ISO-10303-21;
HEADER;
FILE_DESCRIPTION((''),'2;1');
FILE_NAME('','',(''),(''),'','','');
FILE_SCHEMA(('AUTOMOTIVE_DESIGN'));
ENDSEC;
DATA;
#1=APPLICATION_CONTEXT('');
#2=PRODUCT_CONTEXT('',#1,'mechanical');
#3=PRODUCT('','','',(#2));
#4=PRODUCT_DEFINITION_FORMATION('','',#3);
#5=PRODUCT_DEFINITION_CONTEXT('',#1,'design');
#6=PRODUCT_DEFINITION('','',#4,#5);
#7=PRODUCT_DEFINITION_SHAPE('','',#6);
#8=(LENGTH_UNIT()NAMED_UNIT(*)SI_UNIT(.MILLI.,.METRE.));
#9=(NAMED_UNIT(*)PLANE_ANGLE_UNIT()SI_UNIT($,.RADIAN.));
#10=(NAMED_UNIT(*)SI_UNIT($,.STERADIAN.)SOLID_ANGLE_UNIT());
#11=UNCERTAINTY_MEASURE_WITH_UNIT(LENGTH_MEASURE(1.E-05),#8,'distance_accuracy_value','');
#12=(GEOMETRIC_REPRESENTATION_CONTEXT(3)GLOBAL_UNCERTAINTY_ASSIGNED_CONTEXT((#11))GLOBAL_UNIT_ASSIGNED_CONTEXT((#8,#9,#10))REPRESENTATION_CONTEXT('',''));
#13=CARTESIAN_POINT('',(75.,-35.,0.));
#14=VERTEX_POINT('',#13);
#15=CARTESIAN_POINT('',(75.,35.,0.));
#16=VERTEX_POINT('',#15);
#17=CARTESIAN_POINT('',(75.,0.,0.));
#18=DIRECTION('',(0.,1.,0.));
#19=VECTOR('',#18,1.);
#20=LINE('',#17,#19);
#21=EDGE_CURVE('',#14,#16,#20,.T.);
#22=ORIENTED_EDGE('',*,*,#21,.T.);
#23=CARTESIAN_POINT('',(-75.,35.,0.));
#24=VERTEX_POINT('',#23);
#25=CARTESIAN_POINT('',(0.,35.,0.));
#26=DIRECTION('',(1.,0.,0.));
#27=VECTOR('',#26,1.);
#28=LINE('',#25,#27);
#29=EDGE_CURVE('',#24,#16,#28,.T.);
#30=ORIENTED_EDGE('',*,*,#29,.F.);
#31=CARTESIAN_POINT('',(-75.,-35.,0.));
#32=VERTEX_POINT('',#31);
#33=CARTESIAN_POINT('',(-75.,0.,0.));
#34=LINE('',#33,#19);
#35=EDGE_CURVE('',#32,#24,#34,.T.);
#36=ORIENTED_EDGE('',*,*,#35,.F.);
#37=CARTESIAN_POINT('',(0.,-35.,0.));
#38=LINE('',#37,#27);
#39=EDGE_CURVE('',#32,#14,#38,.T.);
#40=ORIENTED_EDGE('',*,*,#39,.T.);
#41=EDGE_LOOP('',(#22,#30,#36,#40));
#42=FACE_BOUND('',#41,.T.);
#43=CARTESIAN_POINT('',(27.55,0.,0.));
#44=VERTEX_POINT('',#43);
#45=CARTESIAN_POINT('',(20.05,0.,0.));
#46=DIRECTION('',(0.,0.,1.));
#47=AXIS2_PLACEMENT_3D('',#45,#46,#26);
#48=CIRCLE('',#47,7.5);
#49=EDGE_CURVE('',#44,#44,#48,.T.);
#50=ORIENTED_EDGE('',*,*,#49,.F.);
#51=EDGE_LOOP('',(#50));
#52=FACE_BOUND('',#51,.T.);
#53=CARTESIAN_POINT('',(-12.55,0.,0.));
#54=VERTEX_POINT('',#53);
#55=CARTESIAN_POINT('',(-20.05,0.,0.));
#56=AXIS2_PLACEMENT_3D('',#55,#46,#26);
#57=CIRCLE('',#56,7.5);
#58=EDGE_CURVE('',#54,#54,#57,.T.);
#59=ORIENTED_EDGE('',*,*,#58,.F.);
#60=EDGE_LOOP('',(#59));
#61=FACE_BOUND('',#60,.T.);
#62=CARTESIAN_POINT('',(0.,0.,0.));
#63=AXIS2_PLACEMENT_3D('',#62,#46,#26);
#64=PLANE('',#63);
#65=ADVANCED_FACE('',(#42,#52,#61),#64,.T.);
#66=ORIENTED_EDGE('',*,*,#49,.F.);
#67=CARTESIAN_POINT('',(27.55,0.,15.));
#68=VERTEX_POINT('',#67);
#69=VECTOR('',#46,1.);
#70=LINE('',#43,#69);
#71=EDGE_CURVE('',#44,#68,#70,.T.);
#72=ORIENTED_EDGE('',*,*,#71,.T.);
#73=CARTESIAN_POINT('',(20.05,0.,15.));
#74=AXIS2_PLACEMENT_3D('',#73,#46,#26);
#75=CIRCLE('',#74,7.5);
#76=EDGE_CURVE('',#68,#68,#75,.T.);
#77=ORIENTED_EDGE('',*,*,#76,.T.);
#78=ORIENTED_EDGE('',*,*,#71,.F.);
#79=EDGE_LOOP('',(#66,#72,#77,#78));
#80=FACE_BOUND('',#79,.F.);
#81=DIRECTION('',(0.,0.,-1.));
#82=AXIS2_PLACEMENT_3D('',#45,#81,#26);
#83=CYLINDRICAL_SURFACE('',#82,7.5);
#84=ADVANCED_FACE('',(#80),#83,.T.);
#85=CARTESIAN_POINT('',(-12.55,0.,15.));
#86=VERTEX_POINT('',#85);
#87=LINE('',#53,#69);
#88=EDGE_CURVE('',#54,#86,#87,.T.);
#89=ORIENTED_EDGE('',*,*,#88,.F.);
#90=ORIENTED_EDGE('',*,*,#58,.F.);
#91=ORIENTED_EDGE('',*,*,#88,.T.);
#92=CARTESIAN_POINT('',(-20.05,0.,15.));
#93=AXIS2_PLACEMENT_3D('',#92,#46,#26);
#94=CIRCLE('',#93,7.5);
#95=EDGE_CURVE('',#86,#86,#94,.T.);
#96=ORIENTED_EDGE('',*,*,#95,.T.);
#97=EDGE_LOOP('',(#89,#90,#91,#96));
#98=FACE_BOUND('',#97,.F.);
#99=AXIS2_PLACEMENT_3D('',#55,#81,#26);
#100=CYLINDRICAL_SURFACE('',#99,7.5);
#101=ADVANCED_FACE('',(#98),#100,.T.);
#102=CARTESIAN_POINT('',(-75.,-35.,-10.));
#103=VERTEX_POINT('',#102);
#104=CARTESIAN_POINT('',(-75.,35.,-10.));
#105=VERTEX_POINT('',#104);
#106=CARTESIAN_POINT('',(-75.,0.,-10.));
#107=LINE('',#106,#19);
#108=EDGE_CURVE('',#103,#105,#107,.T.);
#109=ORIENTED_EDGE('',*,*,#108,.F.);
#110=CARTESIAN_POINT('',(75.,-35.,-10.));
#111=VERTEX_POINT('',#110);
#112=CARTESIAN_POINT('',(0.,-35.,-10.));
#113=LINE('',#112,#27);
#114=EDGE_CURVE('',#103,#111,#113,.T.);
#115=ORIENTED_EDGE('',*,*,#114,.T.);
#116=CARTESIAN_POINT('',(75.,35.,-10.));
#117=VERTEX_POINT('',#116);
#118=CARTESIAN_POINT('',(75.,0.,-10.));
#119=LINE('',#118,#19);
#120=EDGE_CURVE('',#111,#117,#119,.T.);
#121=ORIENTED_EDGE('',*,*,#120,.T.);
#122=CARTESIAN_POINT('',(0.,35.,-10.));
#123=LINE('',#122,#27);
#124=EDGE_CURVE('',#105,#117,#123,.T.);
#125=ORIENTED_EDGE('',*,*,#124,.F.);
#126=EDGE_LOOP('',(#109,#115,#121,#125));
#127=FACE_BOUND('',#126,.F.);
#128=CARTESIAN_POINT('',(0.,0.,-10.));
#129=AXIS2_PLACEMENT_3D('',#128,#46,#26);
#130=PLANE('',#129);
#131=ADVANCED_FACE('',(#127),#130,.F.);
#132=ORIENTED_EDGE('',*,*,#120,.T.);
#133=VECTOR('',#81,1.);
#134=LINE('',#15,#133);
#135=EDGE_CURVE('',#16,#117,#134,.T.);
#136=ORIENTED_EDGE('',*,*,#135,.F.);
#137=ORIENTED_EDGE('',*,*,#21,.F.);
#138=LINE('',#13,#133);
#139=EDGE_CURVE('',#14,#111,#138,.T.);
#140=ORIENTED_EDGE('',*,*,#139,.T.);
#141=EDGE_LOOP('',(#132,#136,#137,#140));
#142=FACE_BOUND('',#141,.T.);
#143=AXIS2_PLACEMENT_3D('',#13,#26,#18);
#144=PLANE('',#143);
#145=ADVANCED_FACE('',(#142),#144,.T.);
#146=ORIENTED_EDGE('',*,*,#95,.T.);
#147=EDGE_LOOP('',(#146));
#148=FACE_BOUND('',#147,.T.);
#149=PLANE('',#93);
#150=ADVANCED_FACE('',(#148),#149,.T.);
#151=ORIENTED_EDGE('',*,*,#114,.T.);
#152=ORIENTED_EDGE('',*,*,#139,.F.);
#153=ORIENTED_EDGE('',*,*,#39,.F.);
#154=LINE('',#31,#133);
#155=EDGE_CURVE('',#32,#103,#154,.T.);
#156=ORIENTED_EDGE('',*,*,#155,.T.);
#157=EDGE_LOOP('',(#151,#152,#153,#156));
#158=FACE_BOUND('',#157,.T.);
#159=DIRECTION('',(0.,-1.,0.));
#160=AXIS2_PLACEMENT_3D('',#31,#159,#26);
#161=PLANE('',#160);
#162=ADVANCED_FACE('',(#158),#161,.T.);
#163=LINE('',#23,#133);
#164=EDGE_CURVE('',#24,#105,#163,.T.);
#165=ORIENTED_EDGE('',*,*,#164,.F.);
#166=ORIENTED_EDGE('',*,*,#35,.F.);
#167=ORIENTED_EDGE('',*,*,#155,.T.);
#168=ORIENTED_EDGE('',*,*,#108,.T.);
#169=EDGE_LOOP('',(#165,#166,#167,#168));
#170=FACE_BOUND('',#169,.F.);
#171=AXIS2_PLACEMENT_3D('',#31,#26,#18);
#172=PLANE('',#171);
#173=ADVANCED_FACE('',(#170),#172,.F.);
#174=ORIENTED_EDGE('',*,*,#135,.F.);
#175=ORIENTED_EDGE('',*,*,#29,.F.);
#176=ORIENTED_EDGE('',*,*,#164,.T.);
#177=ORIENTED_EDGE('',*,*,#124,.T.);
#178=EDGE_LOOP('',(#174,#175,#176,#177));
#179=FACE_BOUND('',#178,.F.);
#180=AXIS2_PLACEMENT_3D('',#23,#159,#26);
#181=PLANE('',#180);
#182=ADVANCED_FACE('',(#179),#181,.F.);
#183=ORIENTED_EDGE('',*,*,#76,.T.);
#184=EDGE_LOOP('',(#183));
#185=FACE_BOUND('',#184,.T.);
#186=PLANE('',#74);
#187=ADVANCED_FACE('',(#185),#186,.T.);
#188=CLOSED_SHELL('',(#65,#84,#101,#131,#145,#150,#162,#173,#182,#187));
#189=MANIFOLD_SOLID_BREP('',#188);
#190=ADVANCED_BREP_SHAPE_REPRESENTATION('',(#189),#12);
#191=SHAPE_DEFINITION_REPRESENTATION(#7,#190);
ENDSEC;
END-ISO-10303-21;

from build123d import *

# Parameters (mm, degrees)
F0_W     = 150
F0_H     = 70
F0_R     = 7.5
F1_DEPTH = 10
F2_DEPTH = 15


with BuildPart() as f1:
    # F0 (on Top) → F1 (new body)
    with BuildSketch(Plane.XY):
        Rectangle(F0_W, F0_H)
        with Locations((-20.05, 0)):
            Circle(F0_R, mode=Mode.SUBTRACT)
        with Locations((20.05, 0)):
            Circle(F0_R, mode=Mode.SUBTRACT)
        with Locations((20.05, 0)):
            Circle(F0_R)
        with Locations((-20.05, 0)):
            Circle(F0_R)
    extrude(amount=-F1_DEPTH)

    # F0 (on Top) → F2 (join)
    with BuildSketch(Plane.XY):
        with Locations((-20.05, 0)):
            Circle(F0_R)
        with Locations((20.05, 0)):
            Circle(F0_R)
    extrude(amount=F2_DEPTH)


solid = f1.part
